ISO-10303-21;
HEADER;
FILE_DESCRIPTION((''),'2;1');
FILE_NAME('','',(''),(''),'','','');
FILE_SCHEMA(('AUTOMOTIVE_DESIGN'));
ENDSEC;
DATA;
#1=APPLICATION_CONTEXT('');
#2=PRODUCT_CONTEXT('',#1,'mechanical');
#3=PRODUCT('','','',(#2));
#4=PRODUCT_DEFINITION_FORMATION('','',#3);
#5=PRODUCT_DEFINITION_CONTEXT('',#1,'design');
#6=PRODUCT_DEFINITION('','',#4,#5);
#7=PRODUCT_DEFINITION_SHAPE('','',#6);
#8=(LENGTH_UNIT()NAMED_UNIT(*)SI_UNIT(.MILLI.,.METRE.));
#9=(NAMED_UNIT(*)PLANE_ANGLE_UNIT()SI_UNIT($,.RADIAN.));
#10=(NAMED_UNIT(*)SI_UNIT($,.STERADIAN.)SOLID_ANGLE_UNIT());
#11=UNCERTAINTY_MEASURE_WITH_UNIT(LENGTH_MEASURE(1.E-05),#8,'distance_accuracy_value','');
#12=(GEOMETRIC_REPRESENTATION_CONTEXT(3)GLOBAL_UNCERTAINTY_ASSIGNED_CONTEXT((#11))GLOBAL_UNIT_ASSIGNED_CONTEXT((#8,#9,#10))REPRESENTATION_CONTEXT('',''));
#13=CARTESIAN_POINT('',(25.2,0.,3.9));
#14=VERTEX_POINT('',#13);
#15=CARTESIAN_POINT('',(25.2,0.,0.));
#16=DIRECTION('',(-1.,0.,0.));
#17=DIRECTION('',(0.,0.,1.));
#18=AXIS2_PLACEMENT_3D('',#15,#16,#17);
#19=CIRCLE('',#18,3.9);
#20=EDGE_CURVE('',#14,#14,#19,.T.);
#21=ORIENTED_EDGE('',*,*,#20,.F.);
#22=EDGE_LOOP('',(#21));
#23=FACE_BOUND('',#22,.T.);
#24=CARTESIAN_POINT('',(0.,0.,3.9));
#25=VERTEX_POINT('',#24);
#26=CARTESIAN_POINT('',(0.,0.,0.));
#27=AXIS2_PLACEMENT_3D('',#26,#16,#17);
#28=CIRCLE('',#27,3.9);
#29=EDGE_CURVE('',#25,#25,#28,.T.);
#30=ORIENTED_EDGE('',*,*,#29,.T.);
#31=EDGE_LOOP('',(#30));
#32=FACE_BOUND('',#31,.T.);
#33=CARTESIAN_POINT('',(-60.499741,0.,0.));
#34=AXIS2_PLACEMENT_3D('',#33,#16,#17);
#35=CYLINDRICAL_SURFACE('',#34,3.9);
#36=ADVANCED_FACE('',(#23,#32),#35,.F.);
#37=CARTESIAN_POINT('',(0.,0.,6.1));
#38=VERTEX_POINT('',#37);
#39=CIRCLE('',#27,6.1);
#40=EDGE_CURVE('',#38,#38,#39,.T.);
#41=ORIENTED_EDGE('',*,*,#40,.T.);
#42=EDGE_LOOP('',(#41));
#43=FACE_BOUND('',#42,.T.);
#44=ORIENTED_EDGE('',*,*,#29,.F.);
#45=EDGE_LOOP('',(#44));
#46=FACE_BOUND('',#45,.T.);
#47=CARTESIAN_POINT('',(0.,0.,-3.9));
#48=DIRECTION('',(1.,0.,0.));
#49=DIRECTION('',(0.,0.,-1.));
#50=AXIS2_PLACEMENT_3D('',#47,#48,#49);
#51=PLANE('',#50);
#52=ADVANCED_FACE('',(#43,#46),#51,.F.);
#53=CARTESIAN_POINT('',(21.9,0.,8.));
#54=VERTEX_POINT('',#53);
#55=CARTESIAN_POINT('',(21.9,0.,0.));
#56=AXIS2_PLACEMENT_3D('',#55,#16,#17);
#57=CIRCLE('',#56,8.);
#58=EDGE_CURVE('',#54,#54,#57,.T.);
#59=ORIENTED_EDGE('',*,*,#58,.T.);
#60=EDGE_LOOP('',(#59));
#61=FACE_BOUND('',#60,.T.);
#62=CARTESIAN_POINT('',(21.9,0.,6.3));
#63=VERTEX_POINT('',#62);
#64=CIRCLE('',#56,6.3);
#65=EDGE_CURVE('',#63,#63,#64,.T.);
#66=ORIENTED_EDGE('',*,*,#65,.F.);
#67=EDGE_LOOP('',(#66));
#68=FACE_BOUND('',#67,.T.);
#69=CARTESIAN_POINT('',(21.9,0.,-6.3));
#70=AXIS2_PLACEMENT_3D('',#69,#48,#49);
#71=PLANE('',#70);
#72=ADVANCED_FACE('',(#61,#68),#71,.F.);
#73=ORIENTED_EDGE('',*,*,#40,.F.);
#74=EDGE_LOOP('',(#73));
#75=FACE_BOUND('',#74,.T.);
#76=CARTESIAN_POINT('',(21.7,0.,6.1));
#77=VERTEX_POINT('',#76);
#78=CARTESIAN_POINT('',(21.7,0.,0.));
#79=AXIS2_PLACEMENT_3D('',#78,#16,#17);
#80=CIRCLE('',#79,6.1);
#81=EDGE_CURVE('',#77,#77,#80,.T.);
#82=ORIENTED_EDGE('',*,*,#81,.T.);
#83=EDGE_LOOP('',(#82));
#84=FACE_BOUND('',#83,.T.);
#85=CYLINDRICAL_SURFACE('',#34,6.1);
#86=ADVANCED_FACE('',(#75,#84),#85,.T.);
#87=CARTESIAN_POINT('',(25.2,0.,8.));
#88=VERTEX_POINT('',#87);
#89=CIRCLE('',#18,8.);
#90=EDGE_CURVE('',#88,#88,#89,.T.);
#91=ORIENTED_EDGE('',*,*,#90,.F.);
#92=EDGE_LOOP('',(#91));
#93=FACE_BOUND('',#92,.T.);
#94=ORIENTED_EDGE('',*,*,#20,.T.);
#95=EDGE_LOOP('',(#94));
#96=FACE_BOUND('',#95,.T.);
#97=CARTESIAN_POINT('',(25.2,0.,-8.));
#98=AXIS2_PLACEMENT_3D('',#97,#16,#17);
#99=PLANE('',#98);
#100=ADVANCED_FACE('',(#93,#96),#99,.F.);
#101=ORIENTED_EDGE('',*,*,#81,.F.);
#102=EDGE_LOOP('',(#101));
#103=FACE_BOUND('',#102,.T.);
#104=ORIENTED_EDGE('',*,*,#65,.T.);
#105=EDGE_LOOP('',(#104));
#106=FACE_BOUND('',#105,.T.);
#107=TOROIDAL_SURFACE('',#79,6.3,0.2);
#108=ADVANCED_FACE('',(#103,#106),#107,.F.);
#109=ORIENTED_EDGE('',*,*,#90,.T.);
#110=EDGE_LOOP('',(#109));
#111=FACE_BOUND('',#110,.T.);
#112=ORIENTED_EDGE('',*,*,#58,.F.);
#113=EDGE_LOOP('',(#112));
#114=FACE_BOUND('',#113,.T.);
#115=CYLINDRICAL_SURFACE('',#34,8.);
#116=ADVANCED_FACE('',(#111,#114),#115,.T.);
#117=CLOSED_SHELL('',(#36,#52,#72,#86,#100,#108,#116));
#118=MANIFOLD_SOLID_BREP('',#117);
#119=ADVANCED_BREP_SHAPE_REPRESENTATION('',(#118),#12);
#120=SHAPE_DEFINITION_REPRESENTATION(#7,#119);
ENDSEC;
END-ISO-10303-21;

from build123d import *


with BuildPart() as part:
    # Schizzo1 → Rivoluzione1 (revolve)
    with BuildSketch(Plane(origin=(0, 0, 0), x_dir=(1, 0, 0), z_dir=(0, 1, 0)), mode=Mode.PRIVATE) as rivoluzione1_sk:
        with BuildLine():
            Line((0, 3.9), (0, 6.1))
            Line((0, 6.1), (21.7, 6.1))
            ThreePointArc((21.7, 6.1), (21.841421356, 6.158578644), (21.9, 6.3))
            Line((21.9, 6.3), (21.9, 8))
            Line((21.9, 8), (25.2, 8))
            Line((25.2, 8), (25.2, 3.9))
            Line((25.2, 3.9), (0, 3.9))
        make_face()
    revolve(rivoluzione1_sk.sketch.rotate(Axis((-60.499740909, 0, 0), (1, 0, 0)), 180), axis=Axis((-60.499740909, 0, 0), (1, 0, 0)))


solid = part.part
